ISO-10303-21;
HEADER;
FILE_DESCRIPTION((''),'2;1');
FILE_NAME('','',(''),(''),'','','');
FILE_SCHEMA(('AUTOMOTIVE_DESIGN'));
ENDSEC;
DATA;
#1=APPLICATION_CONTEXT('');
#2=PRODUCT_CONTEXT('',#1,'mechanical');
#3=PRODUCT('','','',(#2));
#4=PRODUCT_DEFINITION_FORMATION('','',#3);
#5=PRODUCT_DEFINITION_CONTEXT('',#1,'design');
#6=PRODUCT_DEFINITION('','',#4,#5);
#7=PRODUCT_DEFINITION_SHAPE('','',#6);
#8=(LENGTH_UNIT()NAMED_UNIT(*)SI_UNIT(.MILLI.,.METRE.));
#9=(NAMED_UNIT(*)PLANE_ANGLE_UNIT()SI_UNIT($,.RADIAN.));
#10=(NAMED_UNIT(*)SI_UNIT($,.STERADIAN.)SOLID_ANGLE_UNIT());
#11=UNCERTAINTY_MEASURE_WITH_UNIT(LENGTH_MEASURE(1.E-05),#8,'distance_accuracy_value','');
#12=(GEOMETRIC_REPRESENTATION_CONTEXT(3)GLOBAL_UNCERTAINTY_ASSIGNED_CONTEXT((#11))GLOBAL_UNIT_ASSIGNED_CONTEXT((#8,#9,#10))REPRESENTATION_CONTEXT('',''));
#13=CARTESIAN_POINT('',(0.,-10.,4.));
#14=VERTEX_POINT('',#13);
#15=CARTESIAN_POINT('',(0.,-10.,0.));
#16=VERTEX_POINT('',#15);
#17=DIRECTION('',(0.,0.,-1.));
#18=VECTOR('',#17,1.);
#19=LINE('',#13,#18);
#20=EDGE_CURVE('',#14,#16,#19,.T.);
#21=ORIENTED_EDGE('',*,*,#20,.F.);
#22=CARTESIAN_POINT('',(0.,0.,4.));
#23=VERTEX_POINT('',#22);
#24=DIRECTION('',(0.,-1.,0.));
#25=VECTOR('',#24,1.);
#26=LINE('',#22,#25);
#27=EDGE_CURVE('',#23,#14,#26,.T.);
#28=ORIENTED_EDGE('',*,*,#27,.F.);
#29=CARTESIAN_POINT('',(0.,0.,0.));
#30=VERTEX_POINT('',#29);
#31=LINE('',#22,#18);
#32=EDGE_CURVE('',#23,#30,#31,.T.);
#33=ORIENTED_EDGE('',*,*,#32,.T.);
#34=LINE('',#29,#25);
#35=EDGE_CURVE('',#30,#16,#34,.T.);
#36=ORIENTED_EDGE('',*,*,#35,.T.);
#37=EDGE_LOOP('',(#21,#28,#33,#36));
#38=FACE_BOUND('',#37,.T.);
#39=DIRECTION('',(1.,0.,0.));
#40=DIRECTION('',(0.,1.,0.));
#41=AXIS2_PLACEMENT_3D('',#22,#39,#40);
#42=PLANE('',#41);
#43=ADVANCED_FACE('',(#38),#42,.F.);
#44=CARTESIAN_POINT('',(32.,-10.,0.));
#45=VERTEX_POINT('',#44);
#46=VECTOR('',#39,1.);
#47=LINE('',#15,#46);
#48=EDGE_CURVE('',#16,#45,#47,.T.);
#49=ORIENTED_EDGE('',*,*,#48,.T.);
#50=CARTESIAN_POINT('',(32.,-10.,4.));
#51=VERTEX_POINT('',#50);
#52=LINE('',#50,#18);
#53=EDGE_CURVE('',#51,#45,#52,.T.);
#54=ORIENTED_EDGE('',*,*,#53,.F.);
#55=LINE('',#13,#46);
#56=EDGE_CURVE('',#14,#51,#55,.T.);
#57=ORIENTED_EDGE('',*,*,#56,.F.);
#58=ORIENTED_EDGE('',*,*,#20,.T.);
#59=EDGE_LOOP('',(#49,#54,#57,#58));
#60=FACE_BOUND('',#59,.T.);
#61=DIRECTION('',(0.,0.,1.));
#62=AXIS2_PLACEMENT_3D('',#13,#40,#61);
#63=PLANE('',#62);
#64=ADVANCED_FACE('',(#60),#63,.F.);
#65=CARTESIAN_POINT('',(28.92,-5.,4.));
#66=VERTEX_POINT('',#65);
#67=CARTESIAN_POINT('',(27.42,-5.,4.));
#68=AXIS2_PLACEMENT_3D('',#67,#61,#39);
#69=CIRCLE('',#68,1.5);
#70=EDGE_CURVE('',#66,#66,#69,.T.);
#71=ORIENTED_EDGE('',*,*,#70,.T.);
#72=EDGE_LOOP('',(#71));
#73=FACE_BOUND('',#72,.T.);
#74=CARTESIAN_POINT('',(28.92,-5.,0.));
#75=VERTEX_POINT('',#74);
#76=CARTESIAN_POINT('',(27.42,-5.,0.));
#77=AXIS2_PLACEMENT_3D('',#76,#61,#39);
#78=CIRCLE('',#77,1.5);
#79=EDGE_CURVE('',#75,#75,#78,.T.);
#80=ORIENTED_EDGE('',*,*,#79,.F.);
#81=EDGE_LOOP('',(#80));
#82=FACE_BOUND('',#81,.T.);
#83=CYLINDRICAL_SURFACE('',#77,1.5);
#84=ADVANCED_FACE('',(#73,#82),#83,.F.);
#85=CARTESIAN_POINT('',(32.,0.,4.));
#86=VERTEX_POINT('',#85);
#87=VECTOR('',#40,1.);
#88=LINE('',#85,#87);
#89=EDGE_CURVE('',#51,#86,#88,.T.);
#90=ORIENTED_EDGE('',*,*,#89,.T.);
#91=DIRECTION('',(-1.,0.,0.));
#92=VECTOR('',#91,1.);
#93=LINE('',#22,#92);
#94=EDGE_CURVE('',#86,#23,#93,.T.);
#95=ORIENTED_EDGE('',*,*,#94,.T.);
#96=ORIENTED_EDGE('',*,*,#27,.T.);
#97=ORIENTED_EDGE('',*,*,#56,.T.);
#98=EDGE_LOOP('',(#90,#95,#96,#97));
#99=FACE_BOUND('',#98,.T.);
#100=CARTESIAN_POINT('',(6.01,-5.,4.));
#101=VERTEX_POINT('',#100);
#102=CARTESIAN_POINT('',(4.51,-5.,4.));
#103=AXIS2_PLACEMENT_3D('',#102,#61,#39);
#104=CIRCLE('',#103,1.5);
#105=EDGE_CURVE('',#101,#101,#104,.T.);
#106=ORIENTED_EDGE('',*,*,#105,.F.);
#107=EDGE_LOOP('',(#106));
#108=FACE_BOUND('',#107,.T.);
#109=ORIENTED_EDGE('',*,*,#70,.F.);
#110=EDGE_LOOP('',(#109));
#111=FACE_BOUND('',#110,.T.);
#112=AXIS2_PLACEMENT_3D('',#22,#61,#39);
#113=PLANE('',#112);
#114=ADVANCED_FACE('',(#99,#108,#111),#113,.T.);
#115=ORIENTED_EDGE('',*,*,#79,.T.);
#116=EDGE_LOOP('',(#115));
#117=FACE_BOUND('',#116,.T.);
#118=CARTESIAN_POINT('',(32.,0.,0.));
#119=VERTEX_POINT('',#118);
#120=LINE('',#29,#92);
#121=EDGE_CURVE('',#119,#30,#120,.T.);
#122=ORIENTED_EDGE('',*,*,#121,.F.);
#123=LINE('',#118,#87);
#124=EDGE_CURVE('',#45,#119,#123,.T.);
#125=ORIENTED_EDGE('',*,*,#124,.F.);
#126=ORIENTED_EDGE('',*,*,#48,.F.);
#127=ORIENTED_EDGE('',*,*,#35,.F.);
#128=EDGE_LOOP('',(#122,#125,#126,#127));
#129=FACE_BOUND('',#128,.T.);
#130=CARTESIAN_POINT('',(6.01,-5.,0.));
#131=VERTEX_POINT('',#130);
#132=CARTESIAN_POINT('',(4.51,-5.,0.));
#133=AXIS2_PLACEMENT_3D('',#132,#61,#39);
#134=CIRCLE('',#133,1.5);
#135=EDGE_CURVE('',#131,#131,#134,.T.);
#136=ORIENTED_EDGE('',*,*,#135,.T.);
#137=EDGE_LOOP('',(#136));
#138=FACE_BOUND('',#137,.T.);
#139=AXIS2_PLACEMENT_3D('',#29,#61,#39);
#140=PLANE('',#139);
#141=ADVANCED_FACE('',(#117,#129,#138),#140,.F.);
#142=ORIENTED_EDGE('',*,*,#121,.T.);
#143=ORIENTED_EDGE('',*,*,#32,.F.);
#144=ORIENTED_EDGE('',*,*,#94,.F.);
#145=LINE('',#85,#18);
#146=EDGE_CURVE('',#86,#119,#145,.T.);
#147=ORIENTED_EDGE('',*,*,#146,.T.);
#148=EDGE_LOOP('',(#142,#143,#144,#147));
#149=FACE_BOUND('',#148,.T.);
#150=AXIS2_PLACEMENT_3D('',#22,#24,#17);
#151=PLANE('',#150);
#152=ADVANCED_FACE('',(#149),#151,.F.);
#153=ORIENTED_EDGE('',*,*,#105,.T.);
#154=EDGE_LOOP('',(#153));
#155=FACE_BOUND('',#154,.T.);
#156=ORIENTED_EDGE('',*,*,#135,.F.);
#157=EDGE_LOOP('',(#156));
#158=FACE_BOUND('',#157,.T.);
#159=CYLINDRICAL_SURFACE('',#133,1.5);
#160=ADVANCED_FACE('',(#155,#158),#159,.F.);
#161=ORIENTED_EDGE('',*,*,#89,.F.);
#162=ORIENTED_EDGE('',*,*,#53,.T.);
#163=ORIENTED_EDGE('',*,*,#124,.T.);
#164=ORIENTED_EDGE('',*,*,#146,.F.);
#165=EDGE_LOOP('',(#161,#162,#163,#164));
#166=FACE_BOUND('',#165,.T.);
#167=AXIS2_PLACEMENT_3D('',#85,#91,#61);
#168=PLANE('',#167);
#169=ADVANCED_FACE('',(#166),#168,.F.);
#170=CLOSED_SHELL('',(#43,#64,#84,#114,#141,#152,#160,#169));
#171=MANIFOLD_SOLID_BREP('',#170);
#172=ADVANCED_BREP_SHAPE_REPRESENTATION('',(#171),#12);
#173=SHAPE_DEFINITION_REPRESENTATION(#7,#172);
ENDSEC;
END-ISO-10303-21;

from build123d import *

# Parameters (mm, degrees)
ESBO_O1_W                = 32
ESBO_O1_H                = 10
RESSALTO_EXTRUS_O1_DEPTH = 4
ESBO_O2_R                = 1.5
CORTE_EXTRUS_O1_DEPTH    = 4


with BuildPart() as part:
    # Esboço1 → Ressalto-extrusão1 (new body)
    with BuildSketch(Plane.XY):
        with Locations((16, -5)):
            Rectangle(ESBO_O1_W, ESBO_O1_H)
    extrude(amount=RESSALTO_EXTRUS_O1_DEPTH)

    # Esboço2 → Corte-extrusão1 (cut)
    with BuildSketch(Plane.XY.offset(4)):
        with Locations((4.51, -5)):
            Circle(ESBO_O2_R)
        with Locations((27.42, -5)):
            Circle(ESBO_O2_R)
    extrude(amount=-CORTE_EXTRUS_O1_DEPTH, mode=Mode.SUBTRACT)


solid = part.part
